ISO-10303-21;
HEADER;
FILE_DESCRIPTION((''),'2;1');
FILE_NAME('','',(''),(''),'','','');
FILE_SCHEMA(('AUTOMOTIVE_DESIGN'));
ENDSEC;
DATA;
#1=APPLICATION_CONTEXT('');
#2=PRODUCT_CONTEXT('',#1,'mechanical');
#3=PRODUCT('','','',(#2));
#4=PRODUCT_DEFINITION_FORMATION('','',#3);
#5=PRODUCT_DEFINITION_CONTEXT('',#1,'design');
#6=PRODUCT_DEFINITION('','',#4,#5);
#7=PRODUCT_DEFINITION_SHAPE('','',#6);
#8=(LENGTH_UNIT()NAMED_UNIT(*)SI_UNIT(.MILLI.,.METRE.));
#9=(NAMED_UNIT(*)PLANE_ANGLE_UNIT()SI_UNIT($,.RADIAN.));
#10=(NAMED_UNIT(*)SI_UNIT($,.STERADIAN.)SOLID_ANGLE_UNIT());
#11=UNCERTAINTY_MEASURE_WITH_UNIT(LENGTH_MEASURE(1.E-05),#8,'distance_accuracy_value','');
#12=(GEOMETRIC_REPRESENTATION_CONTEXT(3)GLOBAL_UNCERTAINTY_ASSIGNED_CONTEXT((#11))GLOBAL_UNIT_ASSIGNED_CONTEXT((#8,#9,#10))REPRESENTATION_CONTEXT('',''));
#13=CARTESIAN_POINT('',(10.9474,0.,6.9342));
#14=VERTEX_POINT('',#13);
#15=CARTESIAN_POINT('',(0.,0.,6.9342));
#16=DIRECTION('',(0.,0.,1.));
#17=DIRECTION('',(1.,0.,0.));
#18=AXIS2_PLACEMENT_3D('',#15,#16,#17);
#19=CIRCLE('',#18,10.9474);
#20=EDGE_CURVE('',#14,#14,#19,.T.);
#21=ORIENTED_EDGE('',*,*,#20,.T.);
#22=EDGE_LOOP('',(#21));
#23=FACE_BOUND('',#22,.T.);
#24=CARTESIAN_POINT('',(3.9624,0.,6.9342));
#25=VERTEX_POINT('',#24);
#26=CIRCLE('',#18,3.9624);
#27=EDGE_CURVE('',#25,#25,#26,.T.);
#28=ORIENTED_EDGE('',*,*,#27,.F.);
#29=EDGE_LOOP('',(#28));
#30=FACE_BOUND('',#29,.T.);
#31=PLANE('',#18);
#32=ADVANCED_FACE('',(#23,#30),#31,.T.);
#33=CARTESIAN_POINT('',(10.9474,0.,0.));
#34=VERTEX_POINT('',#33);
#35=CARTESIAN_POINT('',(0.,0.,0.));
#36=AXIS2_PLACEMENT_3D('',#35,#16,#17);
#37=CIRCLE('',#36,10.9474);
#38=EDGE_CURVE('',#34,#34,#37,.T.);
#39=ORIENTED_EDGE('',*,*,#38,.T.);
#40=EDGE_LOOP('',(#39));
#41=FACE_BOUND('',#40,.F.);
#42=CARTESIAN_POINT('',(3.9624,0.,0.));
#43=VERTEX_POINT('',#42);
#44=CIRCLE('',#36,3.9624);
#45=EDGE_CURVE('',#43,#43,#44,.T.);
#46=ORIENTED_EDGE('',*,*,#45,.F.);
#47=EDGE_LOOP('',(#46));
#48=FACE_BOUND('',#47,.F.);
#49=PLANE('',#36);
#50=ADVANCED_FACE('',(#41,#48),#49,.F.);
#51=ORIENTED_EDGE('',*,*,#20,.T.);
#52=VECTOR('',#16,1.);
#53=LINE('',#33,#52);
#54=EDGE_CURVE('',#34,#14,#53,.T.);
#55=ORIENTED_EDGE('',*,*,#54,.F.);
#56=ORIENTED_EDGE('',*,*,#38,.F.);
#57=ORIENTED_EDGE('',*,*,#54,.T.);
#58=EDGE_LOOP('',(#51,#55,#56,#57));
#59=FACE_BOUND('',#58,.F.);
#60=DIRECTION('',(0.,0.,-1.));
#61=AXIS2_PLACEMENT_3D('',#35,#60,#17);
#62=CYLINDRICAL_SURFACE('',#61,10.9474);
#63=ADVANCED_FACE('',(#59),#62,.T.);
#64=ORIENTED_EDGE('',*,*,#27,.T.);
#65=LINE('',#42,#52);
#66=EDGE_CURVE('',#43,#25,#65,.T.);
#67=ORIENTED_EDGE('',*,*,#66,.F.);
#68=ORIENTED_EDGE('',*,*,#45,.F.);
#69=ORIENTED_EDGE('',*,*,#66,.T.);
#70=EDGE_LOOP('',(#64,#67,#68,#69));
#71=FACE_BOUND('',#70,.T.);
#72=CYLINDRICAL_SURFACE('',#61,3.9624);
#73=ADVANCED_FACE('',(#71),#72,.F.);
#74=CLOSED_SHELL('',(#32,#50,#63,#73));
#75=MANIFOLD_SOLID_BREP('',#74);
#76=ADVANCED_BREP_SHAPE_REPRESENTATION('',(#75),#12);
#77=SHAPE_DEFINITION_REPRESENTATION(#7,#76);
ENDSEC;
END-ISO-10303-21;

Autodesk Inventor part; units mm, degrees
ref_plane "YZ Plane" through (0, 0, 0) normal (1, 0, 0) x (0, 1, 0)
ref_plane "XZ Plane" through (0, 0, 0) normal (0, 1, 0) x (-1, 0, 0)
ref_plane "XY Plane" through (0, 0, 0) normal (0, 0, 1) x (1, 0, 0)
sketch "Sketch1" plane through (0, 0, 0) normal (0, 0, 1) x (1, 0, 0)
  circle A0 centre (0, 0) radius 10.9474
  circle A1 centre (0, 0) radius 3.9624
  dimension "d0" = 21.8948
  dimension "d1" = 7.9248
extrude "Extrusion1" add sketch "Sketch1" along normal blind 6.9342
properties part number "BallBearing"
